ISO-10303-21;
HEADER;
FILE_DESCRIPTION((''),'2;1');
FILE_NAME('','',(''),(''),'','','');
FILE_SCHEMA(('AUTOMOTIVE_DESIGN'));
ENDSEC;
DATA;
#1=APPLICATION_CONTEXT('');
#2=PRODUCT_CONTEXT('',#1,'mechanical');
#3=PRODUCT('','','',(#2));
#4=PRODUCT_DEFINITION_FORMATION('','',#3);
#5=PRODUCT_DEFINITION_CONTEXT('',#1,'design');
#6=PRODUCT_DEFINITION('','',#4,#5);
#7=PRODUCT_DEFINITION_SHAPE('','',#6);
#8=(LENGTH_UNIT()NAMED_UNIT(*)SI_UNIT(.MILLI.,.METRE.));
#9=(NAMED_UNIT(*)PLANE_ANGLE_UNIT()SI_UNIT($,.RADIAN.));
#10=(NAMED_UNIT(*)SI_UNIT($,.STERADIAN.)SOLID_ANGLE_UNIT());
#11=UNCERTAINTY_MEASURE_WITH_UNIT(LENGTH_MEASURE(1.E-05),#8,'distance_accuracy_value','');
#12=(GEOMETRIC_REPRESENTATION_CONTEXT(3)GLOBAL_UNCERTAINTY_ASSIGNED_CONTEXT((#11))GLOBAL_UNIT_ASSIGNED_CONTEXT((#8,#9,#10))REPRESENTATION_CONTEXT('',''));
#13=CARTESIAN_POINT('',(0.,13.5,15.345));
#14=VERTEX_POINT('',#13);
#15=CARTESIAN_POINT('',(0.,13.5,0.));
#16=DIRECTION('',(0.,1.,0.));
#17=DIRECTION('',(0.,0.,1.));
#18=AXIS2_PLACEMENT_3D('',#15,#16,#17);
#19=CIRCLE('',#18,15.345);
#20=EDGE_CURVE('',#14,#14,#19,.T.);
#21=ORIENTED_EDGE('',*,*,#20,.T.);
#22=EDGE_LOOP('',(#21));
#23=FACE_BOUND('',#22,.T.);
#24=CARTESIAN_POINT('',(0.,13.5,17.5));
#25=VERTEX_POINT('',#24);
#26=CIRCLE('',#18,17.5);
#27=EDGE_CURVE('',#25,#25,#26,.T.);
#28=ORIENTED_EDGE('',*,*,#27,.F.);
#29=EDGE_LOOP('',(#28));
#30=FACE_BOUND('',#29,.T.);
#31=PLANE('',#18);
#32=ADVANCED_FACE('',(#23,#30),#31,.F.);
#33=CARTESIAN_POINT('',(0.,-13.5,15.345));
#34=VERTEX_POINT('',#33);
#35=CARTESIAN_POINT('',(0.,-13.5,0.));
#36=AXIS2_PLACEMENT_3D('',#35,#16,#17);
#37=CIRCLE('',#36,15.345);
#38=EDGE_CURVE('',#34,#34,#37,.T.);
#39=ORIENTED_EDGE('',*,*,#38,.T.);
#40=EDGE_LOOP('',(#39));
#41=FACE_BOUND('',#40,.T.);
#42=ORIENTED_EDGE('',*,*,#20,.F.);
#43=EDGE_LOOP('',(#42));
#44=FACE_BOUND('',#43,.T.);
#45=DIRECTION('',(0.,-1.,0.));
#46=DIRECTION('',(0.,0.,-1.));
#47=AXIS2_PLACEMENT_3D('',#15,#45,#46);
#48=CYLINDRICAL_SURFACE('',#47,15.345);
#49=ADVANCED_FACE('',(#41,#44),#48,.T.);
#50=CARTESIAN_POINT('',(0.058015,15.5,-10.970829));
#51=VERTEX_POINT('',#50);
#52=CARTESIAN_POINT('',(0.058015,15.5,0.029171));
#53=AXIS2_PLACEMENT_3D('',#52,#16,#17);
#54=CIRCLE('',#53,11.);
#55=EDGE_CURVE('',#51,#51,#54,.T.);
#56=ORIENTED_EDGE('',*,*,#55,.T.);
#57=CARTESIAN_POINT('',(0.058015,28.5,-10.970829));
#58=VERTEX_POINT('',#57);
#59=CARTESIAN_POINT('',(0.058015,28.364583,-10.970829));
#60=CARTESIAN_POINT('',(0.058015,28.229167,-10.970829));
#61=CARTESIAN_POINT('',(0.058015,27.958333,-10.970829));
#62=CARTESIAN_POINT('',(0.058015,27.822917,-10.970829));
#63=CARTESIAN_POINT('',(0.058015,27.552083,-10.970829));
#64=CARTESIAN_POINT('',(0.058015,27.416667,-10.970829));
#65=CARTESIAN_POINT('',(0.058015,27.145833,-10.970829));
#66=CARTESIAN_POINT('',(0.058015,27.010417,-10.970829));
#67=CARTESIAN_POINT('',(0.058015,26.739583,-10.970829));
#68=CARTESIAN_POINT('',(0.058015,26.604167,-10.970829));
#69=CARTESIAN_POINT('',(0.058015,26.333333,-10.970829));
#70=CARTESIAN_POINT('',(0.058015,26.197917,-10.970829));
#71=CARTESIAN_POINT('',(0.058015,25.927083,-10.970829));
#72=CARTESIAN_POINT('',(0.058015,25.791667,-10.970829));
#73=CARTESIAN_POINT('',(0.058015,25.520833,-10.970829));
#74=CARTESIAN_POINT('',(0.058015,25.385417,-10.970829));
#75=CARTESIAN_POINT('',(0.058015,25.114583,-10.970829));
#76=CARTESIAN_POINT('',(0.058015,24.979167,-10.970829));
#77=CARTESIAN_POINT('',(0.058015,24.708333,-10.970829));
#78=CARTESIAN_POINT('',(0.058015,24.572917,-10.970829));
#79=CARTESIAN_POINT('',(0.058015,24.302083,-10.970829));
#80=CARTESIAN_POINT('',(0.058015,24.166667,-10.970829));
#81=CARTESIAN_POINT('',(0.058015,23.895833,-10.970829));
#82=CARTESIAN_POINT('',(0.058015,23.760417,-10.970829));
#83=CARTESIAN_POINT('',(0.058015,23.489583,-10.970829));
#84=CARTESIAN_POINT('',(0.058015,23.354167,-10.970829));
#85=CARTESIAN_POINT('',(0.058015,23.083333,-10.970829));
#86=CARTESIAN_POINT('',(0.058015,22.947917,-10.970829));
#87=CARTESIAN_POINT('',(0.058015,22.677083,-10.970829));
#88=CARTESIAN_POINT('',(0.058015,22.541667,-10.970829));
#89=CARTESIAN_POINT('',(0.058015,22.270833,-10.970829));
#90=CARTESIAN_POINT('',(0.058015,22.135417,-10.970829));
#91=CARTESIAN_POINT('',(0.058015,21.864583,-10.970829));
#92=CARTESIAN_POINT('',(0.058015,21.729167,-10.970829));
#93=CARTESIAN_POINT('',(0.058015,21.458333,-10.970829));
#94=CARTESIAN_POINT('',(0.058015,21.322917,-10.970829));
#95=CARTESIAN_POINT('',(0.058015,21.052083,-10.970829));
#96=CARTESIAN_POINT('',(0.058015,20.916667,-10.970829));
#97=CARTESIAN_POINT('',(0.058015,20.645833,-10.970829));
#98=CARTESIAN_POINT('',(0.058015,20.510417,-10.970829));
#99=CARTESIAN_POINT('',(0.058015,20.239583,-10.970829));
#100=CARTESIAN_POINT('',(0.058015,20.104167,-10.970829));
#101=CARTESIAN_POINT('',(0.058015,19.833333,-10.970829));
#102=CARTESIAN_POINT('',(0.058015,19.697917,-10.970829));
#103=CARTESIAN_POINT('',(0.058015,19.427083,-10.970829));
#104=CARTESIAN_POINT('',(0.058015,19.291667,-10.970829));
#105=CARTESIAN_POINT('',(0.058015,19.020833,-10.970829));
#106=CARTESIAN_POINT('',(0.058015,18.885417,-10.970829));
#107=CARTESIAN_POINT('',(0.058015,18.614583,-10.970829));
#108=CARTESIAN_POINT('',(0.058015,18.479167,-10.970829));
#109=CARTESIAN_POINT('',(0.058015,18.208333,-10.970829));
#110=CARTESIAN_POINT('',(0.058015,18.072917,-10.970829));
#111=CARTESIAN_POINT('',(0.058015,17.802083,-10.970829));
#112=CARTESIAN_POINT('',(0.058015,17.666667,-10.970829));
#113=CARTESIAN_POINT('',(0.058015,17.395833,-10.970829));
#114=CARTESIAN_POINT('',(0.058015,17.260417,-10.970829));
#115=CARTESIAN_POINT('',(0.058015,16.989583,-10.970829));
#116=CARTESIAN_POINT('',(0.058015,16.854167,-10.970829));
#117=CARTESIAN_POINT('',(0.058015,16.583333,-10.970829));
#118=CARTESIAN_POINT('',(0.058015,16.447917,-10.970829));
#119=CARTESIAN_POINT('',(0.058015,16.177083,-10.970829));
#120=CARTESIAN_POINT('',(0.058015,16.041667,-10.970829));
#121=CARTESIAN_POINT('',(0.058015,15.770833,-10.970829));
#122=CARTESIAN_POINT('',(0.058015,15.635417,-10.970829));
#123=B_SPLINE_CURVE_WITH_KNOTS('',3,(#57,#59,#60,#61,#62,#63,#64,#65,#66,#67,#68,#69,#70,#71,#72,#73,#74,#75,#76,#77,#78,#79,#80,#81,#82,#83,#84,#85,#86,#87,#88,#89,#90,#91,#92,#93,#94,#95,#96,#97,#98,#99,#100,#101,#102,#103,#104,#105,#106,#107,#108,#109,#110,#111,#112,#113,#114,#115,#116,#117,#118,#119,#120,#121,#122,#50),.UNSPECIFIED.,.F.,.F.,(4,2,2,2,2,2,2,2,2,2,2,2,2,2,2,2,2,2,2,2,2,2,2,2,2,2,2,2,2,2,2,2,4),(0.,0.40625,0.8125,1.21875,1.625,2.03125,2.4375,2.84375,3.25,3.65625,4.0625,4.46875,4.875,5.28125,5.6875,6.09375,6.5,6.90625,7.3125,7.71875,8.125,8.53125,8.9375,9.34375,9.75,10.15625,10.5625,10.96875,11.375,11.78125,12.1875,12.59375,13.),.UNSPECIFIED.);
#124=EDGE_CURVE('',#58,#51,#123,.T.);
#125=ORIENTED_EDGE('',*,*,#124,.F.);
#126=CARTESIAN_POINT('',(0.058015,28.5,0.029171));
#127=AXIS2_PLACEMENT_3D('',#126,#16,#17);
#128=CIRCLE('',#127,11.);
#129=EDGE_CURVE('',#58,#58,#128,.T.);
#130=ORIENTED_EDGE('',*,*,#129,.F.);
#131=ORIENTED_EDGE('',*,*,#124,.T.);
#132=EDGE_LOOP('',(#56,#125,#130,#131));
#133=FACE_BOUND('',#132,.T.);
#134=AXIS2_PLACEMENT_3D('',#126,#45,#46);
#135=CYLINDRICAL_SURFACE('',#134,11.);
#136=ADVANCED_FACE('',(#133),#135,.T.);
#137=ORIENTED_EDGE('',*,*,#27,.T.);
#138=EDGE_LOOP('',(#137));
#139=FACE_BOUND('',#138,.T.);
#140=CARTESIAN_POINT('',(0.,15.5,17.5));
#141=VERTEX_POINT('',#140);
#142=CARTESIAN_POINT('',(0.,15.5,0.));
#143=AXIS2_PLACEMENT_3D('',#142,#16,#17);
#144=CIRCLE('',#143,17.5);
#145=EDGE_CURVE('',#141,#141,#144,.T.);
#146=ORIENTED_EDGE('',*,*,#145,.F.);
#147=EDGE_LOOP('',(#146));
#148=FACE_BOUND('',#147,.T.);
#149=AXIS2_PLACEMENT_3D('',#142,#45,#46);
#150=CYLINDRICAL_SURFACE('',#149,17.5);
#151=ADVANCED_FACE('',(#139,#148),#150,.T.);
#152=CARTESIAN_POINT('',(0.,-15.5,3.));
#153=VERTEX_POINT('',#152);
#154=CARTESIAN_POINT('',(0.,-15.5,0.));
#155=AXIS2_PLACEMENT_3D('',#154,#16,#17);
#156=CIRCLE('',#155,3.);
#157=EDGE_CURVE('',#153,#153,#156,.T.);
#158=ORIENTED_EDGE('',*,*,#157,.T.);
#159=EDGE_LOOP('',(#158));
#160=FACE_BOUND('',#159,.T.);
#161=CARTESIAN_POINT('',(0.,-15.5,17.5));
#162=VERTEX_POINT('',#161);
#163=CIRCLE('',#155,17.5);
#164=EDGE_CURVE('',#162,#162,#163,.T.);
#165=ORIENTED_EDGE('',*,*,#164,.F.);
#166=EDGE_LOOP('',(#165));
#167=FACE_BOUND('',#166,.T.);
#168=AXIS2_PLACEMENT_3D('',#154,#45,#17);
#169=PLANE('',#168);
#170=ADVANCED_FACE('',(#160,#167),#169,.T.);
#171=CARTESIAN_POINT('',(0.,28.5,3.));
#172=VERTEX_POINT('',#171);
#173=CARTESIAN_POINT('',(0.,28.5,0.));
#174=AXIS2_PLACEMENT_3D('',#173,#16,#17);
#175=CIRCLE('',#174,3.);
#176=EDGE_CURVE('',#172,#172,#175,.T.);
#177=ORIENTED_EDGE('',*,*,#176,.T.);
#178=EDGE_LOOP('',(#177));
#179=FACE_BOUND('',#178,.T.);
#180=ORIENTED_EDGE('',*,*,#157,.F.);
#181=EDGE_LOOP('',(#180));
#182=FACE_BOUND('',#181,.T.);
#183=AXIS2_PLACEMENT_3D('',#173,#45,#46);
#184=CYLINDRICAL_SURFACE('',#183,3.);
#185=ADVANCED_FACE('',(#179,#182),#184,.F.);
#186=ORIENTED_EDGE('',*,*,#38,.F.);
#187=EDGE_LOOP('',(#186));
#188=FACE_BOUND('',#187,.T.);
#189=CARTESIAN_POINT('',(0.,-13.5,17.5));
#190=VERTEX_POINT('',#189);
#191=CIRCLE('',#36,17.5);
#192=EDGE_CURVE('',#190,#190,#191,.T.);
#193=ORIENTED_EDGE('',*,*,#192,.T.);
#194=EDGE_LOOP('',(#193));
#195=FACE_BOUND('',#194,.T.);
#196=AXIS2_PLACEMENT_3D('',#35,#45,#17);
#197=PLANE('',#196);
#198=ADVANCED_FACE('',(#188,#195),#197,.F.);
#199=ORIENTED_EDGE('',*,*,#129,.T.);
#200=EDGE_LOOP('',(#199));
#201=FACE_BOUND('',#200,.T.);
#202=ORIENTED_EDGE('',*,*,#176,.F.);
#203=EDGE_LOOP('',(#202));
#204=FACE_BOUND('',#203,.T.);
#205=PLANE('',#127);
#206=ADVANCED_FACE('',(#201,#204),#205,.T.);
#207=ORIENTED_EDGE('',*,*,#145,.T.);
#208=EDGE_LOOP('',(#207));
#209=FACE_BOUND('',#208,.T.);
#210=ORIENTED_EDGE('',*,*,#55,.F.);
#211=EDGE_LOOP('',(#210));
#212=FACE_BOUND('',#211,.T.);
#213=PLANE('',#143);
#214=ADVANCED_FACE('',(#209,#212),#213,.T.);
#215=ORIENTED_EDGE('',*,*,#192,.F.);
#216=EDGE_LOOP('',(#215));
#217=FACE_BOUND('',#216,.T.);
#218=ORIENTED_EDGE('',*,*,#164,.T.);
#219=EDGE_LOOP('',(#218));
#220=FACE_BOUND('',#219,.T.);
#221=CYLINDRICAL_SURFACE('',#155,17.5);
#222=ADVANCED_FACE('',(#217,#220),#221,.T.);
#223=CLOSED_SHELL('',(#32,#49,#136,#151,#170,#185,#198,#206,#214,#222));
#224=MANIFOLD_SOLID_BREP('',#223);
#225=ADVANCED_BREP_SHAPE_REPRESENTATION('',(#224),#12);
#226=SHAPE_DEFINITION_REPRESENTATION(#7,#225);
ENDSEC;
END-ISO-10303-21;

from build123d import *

# Parameters (mm, degrees)
SKETCH_1_R          = 15.345
EXTRUDE_1_DEPTH     = 13.5
SKETCH_2_R          = 17.5
EXTRUDE_2_DEPTH     = 2
SKETCH_4_R          = 11
EXTRUDE_3_DEPTH     = 13
SKETCH_3_R          = 3
CUT_EXTRUDE_1_DEPTH = 51.482670294


with BuildPart() as part:
    # 草图1 → 凸台-拉伸1 (new, symmetric)
    with BuildSketch(Plane(origin=(0, 0, 0), x_dir=(1, 0, 0), z_dir=(0, 1, 0))):
        with Locations(Location((0, 0, 0), (0, 0, 270))):
            Circle(SKETCH_1_R)
    extrude(amount=EXTRUDE_1_DEPTH, both=True)

    # 草图2 → 凸台-拉伸2 (add)
    with BuildSketch(Plane(origin=(0, 13.5, 0), x_dir=(1, 0, 0), z_dir=(0, 1, 0))):
        with Locations(Location((0, 0, 0), (0, 0, 270))):
            Circle(SKETCH_2_R)
    extrude_2 = extrude(amount=EXTRUDE_2_DEPTH)

    # 镜向1: 凸台-拉伸2 across plane
    add(extrude_2.mirror(Plane.ZX))

    # 草图4 → 凸台-拉伸3 (add)
    with BuildSketch(Plane(origin=(0, 15.5, 0), x_dir=(1, 0, 0), z_dir=(0, 1, 0))):
        with Locations(Location((0.058014503, -0.029170846, 0), (0, 0, 90))):
            Circle(SKETCH_4_R)
    extrude(amount=EXTRUDE_3_DEPTH)

    # 草图3 → 切除-拉伸1 (cut, through all)
    with BuildSketch(Plane(origin=(0, -15.5, 0), x_dir=(1, 0, 0), z_dir=(0, 1, 0))):
        with Locations(Location((0, 0, 0), (0, 0, 270))):
            Circle(SKETCH_3_R)
    extrude(amount=CUT_EXTRUDE_1_DEPTH, mode=Mode.SUBTRACT)


solid = part.part
